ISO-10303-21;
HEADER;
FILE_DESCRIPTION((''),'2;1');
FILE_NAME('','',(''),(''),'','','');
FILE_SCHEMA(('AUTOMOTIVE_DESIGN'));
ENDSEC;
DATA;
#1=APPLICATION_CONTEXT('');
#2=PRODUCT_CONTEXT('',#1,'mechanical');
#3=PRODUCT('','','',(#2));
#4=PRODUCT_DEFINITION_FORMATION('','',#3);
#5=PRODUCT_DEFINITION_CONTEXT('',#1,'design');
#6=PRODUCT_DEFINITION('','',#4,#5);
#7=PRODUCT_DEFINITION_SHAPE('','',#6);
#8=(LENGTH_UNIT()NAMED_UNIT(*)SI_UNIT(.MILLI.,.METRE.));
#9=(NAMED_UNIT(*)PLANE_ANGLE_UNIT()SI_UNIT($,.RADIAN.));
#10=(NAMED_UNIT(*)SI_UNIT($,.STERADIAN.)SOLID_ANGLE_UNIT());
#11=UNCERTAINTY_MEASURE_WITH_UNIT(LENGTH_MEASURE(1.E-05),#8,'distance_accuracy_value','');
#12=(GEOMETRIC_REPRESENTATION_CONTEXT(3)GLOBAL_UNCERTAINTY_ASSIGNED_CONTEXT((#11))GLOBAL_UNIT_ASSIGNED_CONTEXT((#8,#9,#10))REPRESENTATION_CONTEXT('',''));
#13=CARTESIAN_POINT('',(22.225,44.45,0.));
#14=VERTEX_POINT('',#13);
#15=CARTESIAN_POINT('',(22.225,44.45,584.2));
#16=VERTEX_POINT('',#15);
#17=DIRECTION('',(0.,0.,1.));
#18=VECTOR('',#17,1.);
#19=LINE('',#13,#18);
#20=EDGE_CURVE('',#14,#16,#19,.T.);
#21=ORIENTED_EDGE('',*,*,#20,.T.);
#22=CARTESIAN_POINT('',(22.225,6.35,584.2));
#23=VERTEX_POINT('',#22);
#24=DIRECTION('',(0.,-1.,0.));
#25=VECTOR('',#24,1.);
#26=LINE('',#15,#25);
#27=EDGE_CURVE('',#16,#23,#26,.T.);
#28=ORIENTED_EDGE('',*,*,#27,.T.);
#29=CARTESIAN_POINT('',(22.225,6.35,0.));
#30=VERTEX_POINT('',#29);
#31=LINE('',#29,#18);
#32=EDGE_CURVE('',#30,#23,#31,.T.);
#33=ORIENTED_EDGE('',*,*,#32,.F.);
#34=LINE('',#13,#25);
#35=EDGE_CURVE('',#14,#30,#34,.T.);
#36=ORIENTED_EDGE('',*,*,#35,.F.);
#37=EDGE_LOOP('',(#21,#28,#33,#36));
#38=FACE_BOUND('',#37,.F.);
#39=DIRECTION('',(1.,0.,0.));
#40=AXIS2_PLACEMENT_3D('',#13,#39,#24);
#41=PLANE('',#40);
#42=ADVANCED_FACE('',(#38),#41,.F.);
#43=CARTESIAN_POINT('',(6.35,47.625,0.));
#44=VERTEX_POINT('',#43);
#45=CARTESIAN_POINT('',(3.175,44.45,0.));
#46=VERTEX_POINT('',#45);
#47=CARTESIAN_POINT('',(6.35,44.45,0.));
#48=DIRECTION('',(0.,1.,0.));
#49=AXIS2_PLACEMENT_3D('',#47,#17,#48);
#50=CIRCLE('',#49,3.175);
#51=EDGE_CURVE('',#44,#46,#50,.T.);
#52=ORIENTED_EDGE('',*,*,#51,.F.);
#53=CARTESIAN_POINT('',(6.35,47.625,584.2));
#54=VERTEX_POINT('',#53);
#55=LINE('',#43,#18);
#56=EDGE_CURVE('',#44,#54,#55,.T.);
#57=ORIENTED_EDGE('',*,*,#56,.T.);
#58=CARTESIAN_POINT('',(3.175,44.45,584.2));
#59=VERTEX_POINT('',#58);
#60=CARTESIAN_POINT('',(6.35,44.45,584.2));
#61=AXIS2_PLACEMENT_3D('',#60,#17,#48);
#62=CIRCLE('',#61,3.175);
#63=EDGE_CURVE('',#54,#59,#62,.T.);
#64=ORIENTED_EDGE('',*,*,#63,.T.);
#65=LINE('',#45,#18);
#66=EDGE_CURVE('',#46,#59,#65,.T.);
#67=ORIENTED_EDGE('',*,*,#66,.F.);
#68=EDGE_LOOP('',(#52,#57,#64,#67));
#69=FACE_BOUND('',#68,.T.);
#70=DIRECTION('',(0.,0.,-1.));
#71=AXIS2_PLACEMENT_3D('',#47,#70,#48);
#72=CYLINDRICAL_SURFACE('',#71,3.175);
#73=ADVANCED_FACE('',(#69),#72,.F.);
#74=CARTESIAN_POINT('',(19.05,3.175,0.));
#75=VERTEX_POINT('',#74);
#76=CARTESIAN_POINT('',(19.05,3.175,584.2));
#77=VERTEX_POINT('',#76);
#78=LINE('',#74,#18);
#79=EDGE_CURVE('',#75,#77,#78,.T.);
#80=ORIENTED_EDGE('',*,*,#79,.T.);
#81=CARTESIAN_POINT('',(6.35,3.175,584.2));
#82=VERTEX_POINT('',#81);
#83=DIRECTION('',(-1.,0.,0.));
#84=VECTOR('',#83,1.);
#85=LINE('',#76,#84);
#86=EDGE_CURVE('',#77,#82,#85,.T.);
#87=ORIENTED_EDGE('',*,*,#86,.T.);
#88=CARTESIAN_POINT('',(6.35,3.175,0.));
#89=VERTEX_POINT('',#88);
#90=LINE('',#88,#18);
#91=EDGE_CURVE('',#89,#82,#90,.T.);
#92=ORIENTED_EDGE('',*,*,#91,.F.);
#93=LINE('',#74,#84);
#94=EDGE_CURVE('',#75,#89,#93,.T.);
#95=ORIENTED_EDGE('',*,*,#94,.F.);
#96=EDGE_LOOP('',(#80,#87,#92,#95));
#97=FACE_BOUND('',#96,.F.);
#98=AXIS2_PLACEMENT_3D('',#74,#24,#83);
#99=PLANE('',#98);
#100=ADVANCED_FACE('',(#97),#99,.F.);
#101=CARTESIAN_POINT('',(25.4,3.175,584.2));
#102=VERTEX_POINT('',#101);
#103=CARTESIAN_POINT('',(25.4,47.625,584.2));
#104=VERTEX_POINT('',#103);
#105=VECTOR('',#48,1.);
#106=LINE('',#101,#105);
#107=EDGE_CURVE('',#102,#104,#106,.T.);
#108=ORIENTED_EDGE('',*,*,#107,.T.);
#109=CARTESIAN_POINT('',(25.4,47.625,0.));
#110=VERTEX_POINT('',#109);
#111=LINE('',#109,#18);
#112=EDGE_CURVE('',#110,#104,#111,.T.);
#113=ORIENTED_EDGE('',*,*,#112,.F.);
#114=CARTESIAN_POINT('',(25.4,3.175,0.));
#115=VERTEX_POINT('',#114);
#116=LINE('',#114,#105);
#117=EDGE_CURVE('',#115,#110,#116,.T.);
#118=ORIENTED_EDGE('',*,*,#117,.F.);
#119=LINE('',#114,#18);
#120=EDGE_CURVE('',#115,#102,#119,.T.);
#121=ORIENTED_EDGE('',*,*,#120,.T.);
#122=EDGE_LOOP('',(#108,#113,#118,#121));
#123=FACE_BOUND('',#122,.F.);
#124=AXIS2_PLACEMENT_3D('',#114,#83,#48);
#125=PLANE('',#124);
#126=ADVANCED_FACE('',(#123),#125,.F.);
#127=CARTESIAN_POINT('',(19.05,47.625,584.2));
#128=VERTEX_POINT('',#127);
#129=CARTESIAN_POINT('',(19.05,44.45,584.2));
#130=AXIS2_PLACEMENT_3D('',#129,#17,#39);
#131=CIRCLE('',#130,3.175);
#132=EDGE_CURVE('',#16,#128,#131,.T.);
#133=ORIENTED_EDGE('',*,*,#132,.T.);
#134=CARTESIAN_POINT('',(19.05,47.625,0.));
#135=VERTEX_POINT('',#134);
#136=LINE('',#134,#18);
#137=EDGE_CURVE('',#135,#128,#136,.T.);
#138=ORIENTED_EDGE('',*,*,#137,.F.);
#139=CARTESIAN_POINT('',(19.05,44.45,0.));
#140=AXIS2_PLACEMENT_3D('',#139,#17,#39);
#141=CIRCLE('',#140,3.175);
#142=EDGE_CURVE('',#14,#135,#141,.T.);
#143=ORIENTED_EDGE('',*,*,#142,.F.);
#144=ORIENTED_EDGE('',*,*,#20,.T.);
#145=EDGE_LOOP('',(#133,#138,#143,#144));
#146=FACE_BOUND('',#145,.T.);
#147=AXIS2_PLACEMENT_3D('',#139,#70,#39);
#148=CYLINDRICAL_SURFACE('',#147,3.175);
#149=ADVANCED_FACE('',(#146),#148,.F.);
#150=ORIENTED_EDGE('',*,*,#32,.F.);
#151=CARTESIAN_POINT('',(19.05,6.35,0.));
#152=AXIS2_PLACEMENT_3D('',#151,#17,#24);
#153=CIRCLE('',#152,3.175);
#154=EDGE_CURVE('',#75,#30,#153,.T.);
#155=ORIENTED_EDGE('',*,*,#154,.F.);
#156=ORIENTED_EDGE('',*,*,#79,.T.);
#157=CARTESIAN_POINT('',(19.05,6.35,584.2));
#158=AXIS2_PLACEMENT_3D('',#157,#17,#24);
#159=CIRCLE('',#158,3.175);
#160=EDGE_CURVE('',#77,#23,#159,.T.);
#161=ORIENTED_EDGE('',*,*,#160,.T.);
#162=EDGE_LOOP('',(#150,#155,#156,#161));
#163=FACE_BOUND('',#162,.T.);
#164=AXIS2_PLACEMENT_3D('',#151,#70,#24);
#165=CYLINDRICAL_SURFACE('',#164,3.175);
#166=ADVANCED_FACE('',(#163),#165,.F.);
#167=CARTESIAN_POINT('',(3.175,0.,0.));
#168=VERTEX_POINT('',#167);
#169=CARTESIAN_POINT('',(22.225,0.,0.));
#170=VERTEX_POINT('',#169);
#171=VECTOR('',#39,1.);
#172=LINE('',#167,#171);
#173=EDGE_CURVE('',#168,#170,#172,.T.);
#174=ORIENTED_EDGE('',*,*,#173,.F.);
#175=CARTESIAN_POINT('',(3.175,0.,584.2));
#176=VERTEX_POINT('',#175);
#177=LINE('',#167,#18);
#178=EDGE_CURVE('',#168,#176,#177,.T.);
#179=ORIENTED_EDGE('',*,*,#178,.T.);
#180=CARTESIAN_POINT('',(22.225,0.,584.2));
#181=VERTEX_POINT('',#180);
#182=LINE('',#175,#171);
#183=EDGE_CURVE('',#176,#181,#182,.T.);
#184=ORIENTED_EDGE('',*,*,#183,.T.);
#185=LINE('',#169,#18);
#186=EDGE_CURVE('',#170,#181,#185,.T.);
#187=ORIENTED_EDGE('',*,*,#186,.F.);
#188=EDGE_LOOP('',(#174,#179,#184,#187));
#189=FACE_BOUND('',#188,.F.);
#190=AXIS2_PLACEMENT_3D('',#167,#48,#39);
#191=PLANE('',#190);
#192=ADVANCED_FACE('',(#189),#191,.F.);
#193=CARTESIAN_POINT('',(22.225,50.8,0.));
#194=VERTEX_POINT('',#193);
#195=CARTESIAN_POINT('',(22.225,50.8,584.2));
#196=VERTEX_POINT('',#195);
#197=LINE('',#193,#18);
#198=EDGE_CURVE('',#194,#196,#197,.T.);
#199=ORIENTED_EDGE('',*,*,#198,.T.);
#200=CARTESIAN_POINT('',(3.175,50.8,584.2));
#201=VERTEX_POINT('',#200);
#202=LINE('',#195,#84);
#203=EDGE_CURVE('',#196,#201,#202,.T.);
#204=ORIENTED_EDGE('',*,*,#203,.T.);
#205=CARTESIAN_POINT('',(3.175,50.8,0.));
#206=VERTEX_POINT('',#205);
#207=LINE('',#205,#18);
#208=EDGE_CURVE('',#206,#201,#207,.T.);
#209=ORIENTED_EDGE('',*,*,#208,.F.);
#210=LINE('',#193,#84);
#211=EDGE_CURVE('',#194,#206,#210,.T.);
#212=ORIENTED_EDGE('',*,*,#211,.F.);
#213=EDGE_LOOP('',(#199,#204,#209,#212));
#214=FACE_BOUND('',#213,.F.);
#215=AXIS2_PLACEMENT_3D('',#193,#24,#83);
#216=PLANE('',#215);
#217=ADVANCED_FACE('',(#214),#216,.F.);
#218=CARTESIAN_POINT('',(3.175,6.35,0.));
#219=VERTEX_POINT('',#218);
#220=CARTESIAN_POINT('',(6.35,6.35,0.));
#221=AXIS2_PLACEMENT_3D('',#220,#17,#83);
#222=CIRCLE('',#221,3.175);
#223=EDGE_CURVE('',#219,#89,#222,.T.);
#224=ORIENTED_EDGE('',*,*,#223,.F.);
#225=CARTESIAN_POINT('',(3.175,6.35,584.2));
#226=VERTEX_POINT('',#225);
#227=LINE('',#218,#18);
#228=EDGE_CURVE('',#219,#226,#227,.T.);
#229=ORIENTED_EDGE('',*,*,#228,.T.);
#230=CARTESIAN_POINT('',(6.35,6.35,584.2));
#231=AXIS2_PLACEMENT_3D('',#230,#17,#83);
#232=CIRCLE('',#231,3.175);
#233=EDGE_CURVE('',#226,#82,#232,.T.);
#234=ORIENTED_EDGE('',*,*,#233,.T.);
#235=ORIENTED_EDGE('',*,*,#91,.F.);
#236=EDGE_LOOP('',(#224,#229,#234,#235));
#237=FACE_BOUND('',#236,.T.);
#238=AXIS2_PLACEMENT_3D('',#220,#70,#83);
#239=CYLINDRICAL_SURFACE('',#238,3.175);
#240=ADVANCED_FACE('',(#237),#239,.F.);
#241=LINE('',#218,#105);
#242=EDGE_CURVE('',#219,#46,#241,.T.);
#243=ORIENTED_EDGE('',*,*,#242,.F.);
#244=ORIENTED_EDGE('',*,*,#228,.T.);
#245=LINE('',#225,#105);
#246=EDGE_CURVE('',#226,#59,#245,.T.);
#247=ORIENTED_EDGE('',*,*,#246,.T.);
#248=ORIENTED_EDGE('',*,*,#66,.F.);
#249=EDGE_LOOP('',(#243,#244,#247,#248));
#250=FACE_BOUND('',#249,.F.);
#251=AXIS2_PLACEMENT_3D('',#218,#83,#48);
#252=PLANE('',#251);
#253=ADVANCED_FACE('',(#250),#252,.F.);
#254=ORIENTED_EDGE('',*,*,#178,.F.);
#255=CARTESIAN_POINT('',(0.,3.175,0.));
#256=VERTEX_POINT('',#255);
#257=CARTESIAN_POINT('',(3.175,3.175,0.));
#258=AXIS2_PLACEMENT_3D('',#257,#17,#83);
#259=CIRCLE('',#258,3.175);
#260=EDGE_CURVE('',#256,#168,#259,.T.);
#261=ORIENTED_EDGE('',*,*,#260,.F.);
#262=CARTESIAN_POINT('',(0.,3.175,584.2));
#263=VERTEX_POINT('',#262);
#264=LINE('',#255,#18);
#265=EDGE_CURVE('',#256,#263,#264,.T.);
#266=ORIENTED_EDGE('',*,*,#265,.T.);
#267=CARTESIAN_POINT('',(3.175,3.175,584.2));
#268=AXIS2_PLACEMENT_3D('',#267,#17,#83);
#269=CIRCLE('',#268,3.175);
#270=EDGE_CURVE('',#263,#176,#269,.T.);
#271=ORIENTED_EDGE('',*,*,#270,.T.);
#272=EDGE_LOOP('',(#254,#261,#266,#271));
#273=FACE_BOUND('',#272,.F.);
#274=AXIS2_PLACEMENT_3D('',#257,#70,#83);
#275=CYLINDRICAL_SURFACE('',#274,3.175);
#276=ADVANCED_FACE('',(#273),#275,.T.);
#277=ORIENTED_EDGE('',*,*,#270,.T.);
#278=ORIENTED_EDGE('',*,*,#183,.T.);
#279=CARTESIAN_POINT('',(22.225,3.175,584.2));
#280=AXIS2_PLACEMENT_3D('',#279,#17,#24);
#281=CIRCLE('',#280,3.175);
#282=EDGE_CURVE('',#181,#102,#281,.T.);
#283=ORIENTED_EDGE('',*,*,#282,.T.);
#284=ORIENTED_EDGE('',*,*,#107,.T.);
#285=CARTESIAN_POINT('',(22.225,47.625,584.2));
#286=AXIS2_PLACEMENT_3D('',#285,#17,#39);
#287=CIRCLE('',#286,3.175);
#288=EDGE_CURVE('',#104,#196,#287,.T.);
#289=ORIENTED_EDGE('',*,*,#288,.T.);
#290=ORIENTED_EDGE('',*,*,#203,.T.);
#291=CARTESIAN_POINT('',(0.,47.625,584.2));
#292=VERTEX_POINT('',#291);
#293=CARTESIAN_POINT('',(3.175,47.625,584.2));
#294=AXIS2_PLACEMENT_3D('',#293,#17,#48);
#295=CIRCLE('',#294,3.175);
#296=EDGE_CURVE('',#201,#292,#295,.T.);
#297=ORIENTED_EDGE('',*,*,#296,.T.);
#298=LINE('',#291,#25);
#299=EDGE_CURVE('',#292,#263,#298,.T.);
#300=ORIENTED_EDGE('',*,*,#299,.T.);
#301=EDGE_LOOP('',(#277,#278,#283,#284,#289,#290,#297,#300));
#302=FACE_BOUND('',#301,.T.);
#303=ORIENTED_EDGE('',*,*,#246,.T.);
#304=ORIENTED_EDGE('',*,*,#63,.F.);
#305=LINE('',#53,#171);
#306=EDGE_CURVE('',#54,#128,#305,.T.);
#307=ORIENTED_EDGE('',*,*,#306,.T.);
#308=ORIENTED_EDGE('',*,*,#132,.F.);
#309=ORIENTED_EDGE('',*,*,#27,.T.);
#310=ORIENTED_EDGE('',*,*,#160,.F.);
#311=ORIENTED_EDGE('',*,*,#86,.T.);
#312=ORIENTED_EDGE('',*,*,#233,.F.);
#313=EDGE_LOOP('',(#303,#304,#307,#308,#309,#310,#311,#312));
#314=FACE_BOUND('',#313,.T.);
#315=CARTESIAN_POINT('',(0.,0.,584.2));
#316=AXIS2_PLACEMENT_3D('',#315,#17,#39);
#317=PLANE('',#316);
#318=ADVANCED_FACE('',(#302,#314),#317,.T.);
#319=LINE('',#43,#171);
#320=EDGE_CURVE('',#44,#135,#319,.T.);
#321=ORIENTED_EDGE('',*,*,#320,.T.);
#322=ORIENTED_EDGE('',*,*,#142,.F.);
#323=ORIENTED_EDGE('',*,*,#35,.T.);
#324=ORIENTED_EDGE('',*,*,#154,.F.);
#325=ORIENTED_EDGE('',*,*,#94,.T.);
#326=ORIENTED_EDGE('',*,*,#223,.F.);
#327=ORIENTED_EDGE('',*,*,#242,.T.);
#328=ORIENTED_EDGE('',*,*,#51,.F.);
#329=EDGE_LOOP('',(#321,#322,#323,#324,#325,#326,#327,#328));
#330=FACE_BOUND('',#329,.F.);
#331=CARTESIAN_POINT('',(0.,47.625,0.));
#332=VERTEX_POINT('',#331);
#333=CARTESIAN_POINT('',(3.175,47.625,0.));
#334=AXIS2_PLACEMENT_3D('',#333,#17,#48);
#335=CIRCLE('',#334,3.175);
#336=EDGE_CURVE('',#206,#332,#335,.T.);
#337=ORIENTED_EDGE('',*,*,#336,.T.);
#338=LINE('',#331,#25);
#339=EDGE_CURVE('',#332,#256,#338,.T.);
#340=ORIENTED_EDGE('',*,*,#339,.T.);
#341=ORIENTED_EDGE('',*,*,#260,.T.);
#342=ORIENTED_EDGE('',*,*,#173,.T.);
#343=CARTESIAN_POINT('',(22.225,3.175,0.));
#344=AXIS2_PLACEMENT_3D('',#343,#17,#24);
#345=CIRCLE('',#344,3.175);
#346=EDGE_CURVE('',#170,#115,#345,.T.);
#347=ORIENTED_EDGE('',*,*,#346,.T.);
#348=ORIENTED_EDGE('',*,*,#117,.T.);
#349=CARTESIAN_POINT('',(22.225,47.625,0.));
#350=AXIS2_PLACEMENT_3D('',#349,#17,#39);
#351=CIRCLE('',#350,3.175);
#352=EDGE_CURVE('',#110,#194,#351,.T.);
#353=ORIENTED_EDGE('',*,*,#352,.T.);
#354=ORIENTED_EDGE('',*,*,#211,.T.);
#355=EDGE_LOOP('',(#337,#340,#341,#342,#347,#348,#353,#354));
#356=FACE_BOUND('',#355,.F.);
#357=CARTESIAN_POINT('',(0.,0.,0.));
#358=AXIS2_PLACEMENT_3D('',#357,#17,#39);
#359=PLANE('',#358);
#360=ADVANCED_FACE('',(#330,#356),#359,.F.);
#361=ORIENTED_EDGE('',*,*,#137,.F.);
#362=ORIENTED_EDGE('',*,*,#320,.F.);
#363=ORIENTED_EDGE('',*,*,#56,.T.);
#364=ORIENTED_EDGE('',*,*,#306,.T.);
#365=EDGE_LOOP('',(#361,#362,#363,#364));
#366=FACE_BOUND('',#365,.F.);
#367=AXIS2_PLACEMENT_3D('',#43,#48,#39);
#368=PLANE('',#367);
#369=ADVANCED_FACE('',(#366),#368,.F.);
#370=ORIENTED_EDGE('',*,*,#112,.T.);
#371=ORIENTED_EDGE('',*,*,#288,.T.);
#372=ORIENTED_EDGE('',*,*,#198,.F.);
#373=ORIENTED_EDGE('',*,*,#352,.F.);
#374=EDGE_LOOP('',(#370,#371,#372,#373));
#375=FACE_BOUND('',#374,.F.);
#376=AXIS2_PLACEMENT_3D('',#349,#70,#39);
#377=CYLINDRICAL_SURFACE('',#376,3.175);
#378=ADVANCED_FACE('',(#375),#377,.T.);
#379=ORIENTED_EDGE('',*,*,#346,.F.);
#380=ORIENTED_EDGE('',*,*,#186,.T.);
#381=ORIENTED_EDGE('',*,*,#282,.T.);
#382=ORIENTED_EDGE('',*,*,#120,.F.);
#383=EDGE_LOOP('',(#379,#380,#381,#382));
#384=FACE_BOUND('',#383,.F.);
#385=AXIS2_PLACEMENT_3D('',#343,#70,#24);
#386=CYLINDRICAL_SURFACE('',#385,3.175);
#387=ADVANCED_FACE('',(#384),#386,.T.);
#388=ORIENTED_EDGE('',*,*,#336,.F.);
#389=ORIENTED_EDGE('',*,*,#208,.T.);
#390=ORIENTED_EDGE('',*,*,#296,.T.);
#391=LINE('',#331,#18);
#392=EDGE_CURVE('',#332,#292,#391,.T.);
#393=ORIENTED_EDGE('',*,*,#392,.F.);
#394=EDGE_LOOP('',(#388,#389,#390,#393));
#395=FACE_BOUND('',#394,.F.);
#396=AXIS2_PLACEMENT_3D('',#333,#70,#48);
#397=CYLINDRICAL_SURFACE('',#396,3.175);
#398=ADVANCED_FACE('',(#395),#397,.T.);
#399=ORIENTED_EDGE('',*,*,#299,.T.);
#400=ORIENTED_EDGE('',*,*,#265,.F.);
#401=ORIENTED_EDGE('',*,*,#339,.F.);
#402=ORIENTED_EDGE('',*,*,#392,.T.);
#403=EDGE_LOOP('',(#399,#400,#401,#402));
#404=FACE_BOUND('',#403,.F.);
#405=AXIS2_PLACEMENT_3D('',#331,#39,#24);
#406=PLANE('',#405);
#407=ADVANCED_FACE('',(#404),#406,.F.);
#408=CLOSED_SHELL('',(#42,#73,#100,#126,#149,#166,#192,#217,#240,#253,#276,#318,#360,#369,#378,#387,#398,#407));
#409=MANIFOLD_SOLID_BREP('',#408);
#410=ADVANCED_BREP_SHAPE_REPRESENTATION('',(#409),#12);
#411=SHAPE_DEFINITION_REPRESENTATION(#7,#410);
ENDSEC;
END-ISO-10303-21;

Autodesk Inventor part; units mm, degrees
ref_plane "YZ Plane" through (0, 0, 0) normal (1, 0, 0) x (0, 1, 0)
ref_plane "XZ Plane" through (0, 0, 0) normal (0, 1, 0) x (-1, 0, 0)
ref_plane "XY Plane" through (0, 0, 0) normal (0, 0, 1) x (1, 0, 0)
sketch "Sketch1" plane through (0, 0, 0) normal (0, 0, 1) x (1, 0, 0)
  line L0 (3.175, 0) -> (22.225, 0)
  line L1 (25.4, 3.175) -> (25.4, 47.625)
  line L2 (22.225, 50.8) -> (3.175, 50.8)
  line L3 (0, 47.625) -> (0, 3.175)
  arc A0 (3.175, 50.8) -> (0, 47.625) centre (3.175, 47.625) ccw
  arc A1 (25.4, 47.625) -> (22.225, 50.8) centre (22.225, 47.625) ccw
  arc A2 (22.225, 0) -> (25.4, 3.175) centre (22.225, 3.175) ccw
  arc A3 (0, 3.175) -> (3.175, 0) centre (3.175, 3.175) ccw
  line L4 (6.35, 47.625) -> (19.05, 47.625)
  line L5 (22.225, 44.45) -> (22.225, 6.35)
  line L6 (19.05, 3.175) -> (6.35, 3.175)
  line L7 (3.175, 6.35) -> (3.175, 44.45)
  arc A4 (6.35, 47.625) -> (3.175, 44.45) centre (6.35, 44.45) ccw
  arc A5 (22.225, 44.45) -> (19.05, 47.625) centre (19.05, 44.45) ccw
  arc A6 (3.175, 6.35) -> (6.35, 3.175) centre (6.35, 6.35) ccw
  arc A7 (19.05, 3.175) -> (22.225, 6.35) centre (19.05, 6.35) ccw
  point P0 (0, 0)
  point P1 (25.4, 0)
  point P2 (0, 50.8)
  dimension "d0" = 50.8
  dimension "d1" = 25.4
  dimension "d2" = 3.175
  dimension "d3" = 3.175
  dimension "d4" = 3.175
  dimension "d5" = 3.175
  dimension "d6" = 3.175
  dimension "d7" = 3.175
  dimension "d8" = 3.175
  dimension "d9" = 3.175
  dimension "d10" = 3.175
extrude "Extrusion1" add sketch "Sketch1" along normal blind 584.2
properties part number "O channel 23 inch"
